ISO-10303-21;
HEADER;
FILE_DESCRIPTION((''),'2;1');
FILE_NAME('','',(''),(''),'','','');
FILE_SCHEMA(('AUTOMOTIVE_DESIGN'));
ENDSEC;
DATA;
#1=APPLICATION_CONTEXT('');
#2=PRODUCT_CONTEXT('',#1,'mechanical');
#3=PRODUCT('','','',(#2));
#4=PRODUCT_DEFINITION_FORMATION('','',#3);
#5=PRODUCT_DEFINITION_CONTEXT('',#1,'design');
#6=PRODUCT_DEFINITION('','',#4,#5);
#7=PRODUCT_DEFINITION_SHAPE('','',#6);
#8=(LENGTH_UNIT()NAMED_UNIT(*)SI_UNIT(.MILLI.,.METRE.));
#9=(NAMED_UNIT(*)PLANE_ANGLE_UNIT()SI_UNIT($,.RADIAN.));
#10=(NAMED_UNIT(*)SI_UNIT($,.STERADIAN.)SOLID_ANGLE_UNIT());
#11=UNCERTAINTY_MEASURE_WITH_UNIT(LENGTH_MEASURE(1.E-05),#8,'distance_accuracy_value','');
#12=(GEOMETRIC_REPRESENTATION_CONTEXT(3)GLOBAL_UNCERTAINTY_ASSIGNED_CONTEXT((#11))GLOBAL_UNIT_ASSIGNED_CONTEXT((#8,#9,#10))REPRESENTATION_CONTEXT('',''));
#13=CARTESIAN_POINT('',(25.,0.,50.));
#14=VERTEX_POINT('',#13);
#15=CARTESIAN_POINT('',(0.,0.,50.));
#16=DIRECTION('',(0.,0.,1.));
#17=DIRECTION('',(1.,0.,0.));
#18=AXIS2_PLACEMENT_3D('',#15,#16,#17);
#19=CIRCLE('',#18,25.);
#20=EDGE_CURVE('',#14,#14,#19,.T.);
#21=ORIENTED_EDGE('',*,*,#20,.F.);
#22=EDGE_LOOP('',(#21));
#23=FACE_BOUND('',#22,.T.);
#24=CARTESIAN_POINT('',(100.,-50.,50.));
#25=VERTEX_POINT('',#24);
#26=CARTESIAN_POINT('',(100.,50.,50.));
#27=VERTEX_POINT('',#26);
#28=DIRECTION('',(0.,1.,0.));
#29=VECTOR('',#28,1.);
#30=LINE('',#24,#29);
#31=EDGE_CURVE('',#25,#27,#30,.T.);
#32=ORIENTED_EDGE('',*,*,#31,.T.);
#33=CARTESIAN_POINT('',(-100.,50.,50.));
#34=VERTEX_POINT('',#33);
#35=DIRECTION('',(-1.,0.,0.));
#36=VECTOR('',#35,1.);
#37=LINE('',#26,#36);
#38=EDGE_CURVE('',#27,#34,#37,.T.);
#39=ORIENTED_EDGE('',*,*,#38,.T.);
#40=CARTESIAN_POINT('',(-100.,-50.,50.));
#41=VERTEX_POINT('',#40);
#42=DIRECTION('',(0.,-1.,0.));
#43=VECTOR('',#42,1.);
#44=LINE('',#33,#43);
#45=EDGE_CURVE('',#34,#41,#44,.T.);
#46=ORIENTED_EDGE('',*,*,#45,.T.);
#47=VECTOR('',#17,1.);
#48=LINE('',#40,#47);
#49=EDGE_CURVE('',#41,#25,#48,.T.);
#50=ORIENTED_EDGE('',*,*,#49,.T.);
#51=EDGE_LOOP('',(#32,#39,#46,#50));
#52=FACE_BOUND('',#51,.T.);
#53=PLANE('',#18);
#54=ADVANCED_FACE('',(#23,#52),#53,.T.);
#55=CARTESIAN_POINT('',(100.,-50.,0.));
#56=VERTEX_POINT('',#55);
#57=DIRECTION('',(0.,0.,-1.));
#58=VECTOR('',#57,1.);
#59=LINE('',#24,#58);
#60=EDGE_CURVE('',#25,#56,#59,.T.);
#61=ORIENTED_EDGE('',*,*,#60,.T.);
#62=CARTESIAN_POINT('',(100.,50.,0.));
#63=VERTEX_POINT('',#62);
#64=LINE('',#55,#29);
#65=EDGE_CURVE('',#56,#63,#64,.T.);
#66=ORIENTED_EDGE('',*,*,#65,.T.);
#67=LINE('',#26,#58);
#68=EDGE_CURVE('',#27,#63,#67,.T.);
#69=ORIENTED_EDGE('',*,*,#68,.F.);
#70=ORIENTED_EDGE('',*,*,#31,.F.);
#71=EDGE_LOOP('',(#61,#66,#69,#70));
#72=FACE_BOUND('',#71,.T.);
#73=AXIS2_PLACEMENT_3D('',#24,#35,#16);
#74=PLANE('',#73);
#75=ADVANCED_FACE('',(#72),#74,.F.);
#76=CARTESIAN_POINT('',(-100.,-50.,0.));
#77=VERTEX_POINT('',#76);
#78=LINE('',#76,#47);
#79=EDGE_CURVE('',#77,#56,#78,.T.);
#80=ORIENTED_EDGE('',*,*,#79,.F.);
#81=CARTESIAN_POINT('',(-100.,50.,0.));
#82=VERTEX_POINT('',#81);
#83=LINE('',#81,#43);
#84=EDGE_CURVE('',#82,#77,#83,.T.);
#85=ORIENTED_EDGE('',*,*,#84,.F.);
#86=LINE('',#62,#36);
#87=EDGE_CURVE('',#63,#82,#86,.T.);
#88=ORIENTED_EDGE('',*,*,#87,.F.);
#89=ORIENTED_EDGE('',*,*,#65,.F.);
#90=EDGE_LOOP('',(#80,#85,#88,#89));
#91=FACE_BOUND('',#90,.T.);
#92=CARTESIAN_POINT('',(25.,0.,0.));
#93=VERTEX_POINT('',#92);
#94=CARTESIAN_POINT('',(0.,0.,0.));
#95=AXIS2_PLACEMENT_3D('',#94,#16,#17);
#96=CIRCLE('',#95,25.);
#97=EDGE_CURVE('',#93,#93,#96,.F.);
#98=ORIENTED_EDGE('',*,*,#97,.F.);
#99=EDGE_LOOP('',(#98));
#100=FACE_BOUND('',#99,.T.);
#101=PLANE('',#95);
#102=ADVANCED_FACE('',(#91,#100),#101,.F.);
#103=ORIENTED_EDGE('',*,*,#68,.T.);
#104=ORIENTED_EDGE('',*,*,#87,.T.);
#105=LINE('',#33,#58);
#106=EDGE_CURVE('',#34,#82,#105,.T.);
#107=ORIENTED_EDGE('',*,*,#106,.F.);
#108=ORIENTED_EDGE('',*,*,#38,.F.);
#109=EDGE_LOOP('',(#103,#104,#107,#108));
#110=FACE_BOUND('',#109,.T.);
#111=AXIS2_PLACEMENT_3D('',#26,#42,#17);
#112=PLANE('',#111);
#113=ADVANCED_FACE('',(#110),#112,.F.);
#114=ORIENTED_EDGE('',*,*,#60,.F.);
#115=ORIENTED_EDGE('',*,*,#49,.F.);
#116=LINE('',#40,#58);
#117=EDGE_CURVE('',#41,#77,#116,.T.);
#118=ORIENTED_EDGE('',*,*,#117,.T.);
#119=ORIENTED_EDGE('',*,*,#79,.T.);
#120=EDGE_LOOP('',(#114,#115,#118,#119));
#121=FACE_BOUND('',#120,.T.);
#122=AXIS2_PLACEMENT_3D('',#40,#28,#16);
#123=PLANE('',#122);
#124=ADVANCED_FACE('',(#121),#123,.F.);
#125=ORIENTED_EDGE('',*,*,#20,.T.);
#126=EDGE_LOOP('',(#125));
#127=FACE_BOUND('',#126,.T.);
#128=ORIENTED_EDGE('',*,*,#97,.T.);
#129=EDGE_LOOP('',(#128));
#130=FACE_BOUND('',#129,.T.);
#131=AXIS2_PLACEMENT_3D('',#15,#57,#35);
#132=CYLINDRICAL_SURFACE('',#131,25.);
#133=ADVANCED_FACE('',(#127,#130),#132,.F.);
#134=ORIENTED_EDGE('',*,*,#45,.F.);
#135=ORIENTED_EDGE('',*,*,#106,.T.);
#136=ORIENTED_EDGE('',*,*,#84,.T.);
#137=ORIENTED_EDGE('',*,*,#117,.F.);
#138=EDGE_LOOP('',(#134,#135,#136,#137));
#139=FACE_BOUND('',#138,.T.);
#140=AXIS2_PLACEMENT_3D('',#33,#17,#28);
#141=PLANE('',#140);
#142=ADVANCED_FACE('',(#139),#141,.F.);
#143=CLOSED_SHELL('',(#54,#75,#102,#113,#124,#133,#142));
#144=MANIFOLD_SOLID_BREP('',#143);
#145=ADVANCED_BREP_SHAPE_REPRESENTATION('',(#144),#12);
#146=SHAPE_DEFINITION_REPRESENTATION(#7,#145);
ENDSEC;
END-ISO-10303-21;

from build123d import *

# Parameters (mm, degrees)
SKETCH1_W               = 200
SKETCH1_H               = 100
BOSS_EXTRUDE1_DEPTH     = 50
CUT_EXTRUDE1_DEPTH      = 123.474487139
CUT_EXTRUDE1_DEPTH_BACK = 123.474487139
SKETCH1_3_R             = 25


with BuildPart() as part:
    # Sketch1 → Boss-Extrude1 (new body)
    with BuildSketch(Plane.XY):
        Rectangle(SKETCH1_W, SKETCH1_H)
    extrude(amount=BOSS_EXTRUDE1_DEPTH)

    # Sketch1<3> → Cut-Extrude1 (cut, two sides: drawn at the far end of the back side and taken through both)
    with BuildSketch(Plane.XY.offset(-CUT_EXTRUDE1_DEPTH_BACK)):
        Circle(SKETCH1_3_R)
    extrude(amount=CUT_EXTRUDE1_DEPTH + CUT_EXTRUDE1_DEPTH_BACK, mode=Mode.SUBTRACT)


solid = part.part
